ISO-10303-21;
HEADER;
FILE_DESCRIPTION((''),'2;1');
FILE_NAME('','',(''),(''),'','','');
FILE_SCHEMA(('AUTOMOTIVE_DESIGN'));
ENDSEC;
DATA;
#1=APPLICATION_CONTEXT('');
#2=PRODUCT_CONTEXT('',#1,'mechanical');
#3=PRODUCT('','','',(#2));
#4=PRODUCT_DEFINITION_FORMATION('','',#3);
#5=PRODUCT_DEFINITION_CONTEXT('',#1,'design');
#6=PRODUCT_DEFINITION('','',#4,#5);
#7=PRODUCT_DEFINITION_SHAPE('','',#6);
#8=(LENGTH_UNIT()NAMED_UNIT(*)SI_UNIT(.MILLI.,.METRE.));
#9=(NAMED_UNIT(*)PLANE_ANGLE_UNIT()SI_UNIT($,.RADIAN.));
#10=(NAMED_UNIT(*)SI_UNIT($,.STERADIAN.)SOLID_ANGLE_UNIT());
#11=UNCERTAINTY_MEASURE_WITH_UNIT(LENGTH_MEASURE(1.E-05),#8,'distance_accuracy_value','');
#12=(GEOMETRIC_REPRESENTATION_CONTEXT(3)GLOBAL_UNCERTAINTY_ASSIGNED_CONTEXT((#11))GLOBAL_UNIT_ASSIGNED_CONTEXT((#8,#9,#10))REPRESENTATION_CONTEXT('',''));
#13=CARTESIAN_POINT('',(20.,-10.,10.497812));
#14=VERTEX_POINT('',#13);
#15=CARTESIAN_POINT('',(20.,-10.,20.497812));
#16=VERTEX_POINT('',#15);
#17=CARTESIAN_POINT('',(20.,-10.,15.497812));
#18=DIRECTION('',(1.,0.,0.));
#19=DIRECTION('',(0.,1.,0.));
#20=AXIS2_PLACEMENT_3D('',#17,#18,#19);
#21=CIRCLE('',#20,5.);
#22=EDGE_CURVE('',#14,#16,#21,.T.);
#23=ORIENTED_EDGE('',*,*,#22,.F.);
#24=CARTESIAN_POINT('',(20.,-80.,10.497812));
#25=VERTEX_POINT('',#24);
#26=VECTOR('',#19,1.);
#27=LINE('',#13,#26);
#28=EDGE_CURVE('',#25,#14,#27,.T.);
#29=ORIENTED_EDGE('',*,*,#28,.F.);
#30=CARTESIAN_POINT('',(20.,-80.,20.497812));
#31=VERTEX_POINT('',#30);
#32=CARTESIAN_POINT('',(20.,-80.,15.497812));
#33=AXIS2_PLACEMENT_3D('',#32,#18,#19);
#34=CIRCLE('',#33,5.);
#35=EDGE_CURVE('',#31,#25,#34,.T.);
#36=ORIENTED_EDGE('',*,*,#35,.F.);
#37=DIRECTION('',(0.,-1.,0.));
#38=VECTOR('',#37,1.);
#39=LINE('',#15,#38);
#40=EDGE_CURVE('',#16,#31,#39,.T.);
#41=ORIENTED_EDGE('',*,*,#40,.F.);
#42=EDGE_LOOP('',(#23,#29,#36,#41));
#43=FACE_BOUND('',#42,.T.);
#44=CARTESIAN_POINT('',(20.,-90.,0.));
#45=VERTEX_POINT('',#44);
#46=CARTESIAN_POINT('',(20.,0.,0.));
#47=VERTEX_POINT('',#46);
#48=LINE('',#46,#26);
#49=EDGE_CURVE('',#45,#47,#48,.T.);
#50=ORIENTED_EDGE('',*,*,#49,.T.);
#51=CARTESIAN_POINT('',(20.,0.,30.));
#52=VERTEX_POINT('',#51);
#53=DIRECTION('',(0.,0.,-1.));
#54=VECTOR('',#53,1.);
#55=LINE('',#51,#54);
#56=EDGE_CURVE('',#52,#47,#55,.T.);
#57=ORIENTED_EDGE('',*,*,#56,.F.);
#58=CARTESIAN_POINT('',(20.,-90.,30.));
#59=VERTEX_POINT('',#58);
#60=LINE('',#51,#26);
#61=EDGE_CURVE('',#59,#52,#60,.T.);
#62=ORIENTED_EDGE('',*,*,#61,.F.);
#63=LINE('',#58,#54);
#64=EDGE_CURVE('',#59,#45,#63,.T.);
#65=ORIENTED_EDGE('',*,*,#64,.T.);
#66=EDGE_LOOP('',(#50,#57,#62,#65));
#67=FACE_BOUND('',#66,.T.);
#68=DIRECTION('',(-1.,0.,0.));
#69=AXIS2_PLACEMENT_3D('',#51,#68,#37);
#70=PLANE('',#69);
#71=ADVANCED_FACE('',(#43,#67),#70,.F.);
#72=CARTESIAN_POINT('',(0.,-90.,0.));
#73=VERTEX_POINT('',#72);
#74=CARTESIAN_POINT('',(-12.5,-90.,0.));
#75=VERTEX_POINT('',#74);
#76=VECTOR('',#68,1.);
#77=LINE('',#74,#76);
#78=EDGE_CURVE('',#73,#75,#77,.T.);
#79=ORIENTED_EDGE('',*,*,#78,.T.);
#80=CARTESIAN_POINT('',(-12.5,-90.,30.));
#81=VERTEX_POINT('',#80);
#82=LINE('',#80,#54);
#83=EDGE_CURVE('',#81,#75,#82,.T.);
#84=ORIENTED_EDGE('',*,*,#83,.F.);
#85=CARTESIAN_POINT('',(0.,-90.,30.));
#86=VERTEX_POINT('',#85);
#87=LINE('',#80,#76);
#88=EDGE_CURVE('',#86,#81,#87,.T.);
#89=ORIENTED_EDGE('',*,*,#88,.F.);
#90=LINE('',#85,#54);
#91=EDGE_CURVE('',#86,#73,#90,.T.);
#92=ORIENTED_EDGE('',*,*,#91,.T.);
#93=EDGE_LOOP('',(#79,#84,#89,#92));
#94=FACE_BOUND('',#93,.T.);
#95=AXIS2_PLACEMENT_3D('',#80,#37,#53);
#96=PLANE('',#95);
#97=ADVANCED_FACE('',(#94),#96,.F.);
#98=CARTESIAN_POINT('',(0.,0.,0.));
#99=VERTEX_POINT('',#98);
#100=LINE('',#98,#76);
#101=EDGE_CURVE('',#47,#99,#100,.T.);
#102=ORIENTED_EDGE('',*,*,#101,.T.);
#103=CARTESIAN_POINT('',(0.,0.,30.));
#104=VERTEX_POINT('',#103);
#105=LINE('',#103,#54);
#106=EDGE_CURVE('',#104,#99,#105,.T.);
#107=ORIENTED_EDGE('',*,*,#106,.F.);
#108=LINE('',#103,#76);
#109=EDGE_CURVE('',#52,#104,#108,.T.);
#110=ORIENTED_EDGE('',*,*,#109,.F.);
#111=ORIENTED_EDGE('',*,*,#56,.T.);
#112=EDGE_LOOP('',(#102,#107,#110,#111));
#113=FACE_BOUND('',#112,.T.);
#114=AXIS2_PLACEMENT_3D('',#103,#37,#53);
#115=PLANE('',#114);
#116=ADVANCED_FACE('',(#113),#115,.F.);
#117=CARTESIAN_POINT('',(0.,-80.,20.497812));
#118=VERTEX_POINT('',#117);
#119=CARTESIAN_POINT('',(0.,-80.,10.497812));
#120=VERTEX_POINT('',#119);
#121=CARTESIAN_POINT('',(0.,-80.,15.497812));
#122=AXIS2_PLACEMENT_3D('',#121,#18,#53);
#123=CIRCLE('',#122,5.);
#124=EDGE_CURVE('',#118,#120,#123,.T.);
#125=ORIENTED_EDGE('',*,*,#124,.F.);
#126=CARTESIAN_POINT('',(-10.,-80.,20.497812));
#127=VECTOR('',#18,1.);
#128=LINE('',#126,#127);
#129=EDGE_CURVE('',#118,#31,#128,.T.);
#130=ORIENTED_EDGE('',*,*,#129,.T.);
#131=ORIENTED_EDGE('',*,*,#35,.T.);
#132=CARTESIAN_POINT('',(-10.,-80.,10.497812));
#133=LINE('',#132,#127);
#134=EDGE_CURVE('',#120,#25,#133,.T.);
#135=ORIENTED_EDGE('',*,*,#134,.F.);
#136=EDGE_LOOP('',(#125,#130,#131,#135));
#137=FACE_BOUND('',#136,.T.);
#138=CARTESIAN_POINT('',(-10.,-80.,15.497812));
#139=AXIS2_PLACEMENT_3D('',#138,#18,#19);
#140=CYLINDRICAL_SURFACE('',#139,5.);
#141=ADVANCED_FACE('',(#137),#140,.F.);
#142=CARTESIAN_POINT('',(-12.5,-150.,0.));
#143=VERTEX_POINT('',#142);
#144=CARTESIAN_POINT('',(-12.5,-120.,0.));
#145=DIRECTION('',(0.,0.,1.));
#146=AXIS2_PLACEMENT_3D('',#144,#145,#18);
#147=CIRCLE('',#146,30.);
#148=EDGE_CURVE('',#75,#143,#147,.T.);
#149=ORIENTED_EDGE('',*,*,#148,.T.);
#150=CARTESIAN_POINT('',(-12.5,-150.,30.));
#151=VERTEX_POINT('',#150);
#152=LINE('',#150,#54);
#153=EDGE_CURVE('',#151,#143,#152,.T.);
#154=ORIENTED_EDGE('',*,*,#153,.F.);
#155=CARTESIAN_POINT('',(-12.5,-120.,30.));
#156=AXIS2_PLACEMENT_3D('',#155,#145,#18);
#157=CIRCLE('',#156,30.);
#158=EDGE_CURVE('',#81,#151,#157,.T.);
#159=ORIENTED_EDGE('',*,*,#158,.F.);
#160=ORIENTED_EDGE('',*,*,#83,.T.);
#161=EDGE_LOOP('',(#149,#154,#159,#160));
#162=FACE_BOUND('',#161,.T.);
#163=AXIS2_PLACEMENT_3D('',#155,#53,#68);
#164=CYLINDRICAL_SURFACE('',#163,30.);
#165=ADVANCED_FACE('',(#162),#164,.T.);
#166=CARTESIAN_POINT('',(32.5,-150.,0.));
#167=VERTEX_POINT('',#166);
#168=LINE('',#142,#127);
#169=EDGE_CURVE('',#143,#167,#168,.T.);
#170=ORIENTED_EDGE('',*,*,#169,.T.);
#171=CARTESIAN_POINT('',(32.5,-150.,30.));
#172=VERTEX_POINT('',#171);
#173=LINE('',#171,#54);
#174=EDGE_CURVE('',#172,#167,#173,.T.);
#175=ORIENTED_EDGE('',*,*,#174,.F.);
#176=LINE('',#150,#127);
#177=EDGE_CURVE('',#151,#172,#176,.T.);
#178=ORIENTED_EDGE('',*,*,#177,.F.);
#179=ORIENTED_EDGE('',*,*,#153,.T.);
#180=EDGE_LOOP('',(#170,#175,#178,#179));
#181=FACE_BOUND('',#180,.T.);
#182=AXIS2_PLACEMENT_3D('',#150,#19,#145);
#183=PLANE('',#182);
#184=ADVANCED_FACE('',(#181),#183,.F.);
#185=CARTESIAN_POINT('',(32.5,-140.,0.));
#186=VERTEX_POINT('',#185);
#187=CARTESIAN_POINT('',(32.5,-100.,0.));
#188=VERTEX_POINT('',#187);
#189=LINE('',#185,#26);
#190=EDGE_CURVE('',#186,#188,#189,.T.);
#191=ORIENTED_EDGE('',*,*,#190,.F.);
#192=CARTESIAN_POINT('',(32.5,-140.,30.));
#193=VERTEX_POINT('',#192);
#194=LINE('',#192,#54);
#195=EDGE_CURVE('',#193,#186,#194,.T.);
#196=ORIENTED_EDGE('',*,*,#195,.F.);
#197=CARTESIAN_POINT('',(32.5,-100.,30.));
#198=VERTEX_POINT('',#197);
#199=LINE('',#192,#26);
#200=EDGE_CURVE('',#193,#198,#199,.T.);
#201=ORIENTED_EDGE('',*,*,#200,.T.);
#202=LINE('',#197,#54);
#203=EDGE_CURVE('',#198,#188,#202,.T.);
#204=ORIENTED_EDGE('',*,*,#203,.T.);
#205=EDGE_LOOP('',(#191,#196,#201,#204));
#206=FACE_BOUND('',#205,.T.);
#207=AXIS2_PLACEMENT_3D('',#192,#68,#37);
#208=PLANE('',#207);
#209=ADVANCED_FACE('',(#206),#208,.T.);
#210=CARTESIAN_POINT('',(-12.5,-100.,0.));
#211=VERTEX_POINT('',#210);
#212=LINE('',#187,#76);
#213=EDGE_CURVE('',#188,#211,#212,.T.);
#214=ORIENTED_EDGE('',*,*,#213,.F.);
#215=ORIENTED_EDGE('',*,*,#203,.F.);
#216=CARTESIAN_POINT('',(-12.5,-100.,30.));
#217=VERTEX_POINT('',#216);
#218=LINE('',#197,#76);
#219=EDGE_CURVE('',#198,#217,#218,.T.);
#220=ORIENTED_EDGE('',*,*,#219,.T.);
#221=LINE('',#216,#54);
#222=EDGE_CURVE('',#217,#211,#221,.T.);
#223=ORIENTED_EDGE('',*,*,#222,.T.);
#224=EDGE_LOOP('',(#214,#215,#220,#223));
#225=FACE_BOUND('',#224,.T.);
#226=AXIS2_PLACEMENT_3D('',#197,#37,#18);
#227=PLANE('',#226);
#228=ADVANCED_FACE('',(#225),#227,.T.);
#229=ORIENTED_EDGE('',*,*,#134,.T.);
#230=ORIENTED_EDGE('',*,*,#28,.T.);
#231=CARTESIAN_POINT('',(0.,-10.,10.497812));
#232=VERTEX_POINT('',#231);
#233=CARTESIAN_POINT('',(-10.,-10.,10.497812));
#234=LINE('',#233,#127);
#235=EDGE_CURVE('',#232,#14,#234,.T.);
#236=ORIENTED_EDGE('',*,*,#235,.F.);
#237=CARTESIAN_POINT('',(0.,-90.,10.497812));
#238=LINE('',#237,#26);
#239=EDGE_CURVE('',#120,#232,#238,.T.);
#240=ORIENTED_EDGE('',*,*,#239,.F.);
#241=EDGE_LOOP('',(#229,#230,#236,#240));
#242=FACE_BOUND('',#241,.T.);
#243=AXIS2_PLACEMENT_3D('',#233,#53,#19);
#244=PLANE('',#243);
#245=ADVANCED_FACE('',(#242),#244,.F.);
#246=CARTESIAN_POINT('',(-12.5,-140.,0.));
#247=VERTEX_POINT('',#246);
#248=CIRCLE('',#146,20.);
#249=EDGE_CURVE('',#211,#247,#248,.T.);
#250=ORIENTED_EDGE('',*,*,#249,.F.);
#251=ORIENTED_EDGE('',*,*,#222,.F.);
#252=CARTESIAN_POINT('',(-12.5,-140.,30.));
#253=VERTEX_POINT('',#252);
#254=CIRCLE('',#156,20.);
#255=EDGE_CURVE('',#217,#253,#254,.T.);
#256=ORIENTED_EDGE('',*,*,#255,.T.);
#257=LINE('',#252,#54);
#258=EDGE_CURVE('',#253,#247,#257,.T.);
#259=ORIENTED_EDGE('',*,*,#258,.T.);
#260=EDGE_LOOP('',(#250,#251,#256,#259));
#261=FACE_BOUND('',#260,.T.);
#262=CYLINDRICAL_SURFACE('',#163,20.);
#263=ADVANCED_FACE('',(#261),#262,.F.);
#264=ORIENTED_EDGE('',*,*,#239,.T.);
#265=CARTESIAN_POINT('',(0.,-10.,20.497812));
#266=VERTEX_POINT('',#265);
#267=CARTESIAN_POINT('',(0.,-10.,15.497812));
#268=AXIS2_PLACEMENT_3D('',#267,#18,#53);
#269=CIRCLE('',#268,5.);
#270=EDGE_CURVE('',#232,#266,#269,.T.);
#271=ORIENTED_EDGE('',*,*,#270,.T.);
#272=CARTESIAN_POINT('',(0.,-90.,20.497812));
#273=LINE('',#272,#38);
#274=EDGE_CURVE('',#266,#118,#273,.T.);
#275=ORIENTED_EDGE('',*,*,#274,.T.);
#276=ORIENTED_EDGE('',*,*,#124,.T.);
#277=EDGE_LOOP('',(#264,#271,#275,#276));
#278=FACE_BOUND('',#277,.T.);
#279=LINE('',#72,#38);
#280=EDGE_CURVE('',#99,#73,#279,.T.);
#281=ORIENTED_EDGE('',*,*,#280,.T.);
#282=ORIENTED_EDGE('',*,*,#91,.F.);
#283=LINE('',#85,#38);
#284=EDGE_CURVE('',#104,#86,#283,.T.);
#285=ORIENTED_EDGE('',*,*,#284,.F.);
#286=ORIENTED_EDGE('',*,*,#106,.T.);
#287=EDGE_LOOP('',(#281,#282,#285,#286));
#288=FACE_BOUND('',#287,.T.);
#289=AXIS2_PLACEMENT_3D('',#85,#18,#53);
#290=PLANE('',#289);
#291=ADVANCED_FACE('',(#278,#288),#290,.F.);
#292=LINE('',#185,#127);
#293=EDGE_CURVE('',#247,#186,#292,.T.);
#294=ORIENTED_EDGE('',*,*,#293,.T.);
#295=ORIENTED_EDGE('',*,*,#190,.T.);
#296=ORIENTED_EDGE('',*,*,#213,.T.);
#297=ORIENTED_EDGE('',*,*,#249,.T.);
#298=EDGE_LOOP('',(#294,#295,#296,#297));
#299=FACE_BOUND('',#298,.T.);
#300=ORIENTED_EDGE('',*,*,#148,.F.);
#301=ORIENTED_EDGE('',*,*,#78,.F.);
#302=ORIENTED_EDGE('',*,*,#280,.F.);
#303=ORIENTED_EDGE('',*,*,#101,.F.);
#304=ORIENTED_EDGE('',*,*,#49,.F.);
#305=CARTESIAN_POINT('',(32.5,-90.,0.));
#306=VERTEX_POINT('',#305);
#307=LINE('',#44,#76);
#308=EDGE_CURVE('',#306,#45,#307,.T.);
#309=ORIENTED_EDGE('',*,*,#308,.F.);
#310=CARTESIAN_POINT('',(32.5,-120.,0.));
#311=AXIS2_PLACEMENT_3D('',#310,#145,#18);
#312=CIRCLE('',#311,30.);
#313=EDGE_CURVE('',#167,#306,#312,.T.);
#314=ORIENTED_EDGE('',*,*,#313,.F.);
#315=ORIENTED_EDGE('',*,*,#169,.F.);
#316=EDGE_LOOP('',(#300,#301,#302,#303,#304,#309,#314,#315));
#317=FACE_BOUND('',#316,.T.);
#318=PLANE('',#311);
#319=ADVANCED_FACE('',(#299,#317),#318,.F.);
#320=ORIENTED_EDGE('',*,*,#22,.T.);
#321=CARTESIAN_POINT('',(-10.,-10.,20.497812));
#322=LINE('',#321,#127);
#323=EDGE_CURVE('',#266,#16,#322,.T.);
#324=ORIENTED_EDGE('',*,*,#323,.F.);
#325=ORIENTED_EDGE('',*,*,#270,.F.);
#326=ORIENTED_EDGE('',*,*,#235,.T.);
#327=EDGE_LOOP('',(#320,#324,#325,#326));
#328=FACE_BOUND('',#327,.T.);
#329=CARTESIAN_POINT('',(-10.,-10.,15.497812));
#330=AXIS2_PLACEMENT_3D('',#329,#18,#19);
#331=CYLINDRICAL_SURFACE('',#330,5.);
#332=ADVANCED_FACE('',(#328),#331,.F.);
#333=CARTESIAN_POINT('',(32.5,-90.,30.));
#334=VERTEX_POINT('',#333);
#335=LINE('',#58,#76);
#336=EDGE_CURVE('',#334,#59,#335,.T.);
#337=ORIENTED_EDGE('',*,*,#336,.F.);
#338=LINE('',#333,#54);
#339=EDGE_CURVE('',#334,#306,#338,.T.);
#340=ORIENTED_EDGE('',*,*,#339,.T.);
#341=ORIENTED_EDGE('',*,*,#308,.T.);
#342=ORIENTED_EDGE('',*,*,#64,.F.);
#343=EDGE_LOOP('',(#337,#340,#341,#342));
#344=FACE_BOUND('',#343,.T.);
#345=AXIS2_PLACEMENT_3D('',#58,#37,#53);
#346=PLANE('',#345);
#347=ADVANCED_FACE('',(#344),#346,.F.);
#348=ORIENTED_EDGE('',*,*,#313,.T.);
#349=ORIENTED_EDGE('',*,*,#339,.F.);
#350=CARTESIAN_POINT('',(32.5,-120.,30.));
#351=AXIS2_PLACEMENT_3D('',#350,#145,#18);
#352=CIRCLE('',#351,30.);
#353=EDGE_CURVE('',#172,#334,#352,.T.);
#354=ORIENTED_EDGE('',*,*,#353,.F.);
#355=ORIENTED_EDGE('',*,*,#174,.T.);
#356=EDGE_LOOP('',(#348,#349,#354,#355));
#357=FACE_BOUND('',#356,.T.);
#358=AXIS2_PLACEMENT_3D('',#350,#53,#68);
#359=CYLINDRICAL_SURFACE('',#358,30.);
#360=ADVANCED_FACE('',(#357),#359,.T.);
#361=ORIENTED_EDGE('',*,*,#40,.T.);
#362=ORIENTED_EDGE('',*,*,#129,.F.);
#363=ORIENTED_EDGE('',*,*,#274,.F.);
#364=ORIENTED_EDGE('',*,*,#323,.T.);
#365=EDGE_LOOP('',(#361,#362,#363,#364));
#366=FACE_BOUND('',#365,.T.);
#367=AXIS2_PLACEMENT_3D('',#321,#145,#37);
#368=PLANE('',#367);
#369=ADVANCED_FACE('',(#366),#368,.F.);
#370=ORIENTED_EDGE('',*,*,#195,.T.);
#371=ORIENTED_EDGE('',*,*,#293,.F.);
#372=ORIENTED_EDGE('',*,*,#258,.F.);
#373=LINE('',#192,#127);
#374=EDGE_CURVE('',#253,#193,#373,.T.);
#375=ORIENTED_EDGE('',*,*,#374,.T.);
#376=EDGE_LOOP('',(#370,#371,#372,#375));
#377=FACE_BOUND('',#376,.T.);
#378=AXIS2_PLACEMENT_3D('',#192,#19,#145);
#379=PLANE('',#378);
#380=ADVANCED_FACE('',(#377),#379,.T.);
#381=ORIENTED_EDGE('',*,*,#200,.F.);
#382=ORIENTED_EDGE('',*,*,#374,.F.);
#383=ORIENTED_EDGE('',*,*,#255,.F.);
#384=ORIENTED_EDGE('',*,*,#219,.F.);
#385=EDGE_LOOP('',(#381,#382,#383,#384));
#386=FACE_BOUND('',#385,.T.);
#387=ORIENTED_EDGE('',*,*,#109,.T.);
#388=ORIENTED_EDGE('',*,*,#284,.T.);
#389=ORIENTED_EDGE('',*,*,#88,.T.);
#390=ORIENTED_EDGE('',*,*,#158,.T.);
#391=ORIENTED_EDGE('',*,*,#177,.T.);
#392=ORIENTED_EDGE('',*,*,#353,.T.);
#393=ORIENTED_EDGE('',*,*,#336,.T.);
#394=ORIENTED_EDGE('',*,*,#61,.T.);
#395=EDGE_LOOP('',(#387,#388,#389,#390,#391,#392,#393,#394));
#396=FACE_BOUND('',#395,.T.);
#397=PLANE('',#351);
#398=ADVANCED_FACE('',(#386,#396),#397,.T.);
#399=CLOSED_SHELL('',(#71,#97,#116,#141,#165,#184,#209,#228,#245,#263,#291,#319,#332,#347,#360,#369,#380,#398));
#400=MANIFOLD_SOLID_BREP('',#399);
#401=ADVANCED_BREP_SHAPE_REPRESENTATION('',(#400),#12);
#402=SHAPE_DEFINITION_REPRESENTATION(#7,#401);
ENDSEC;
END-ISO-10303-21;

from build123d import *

# Parameters (mm, degrees)
SALIENTE_EXTRUIR1_DEPTH = 30
CORTAR_EXTRUIR1_DEPTH   = 30


with BuildPart() as part:
    # Croquis1 → Saliente-Extruir1 (new body)
    with BuildSketch(Plane.XY):
        with BuildLine():
            Line((0, 0), (20, 0))
            Line((20, 0), (20, -90))
            Line((20, -90), (32.5, -90))
            ThreePointArc((32.5, -90), (62.5, -120), (32.5, -150))
            Line((32.5, -150), (-12.5, -150))
            ThreePointArc((-12.5, -150), (-42.5, -120), (-12.5, -90))
            Line((-12.5, -90), (0, -90))
            Line((0, -90), (0, 0))
        make_face()
        with BuildLine():
            Line((32.5, -140), (-12.5, -140))
            ThreePointArc((-12.5, -140), (-32.5, -120), (-12.5, -100))
            Line((-12.5, -100), (32.5, -100))
            Line((32.5, -100), (32.5, -140))
        make_face(mode=Mode.SUBTRACT)
    extrude(amount=SALIENTE_EXTRUIR1_DEPTH)

    # Croquis3 → Cortar-Extruir1 (cut)
    with BuildSketch(Plane(origin=(20, 0, 0), x_dir=(0, 0, -1), z_dir=(1, 0, 0))):
        with BuildLine():
            Line((-10.497811767, -10), (-10.497811767, -80))
            ThreePointArc((-10.497811767, -80), (-15.497811767, -85), (-20.497811767, -80))
            Line((-20.497811767, -80), (-20.497811767, -10))
            ThreePointArc((-20.497811767, -10), (-15.497811767, -5), (-10.497811767, -10))
        make_face()
    extrude(amount=-CORTAR_EXTRUIR1_DEPTH, mode=Mode.SUBTRACT)


solid = part.part
